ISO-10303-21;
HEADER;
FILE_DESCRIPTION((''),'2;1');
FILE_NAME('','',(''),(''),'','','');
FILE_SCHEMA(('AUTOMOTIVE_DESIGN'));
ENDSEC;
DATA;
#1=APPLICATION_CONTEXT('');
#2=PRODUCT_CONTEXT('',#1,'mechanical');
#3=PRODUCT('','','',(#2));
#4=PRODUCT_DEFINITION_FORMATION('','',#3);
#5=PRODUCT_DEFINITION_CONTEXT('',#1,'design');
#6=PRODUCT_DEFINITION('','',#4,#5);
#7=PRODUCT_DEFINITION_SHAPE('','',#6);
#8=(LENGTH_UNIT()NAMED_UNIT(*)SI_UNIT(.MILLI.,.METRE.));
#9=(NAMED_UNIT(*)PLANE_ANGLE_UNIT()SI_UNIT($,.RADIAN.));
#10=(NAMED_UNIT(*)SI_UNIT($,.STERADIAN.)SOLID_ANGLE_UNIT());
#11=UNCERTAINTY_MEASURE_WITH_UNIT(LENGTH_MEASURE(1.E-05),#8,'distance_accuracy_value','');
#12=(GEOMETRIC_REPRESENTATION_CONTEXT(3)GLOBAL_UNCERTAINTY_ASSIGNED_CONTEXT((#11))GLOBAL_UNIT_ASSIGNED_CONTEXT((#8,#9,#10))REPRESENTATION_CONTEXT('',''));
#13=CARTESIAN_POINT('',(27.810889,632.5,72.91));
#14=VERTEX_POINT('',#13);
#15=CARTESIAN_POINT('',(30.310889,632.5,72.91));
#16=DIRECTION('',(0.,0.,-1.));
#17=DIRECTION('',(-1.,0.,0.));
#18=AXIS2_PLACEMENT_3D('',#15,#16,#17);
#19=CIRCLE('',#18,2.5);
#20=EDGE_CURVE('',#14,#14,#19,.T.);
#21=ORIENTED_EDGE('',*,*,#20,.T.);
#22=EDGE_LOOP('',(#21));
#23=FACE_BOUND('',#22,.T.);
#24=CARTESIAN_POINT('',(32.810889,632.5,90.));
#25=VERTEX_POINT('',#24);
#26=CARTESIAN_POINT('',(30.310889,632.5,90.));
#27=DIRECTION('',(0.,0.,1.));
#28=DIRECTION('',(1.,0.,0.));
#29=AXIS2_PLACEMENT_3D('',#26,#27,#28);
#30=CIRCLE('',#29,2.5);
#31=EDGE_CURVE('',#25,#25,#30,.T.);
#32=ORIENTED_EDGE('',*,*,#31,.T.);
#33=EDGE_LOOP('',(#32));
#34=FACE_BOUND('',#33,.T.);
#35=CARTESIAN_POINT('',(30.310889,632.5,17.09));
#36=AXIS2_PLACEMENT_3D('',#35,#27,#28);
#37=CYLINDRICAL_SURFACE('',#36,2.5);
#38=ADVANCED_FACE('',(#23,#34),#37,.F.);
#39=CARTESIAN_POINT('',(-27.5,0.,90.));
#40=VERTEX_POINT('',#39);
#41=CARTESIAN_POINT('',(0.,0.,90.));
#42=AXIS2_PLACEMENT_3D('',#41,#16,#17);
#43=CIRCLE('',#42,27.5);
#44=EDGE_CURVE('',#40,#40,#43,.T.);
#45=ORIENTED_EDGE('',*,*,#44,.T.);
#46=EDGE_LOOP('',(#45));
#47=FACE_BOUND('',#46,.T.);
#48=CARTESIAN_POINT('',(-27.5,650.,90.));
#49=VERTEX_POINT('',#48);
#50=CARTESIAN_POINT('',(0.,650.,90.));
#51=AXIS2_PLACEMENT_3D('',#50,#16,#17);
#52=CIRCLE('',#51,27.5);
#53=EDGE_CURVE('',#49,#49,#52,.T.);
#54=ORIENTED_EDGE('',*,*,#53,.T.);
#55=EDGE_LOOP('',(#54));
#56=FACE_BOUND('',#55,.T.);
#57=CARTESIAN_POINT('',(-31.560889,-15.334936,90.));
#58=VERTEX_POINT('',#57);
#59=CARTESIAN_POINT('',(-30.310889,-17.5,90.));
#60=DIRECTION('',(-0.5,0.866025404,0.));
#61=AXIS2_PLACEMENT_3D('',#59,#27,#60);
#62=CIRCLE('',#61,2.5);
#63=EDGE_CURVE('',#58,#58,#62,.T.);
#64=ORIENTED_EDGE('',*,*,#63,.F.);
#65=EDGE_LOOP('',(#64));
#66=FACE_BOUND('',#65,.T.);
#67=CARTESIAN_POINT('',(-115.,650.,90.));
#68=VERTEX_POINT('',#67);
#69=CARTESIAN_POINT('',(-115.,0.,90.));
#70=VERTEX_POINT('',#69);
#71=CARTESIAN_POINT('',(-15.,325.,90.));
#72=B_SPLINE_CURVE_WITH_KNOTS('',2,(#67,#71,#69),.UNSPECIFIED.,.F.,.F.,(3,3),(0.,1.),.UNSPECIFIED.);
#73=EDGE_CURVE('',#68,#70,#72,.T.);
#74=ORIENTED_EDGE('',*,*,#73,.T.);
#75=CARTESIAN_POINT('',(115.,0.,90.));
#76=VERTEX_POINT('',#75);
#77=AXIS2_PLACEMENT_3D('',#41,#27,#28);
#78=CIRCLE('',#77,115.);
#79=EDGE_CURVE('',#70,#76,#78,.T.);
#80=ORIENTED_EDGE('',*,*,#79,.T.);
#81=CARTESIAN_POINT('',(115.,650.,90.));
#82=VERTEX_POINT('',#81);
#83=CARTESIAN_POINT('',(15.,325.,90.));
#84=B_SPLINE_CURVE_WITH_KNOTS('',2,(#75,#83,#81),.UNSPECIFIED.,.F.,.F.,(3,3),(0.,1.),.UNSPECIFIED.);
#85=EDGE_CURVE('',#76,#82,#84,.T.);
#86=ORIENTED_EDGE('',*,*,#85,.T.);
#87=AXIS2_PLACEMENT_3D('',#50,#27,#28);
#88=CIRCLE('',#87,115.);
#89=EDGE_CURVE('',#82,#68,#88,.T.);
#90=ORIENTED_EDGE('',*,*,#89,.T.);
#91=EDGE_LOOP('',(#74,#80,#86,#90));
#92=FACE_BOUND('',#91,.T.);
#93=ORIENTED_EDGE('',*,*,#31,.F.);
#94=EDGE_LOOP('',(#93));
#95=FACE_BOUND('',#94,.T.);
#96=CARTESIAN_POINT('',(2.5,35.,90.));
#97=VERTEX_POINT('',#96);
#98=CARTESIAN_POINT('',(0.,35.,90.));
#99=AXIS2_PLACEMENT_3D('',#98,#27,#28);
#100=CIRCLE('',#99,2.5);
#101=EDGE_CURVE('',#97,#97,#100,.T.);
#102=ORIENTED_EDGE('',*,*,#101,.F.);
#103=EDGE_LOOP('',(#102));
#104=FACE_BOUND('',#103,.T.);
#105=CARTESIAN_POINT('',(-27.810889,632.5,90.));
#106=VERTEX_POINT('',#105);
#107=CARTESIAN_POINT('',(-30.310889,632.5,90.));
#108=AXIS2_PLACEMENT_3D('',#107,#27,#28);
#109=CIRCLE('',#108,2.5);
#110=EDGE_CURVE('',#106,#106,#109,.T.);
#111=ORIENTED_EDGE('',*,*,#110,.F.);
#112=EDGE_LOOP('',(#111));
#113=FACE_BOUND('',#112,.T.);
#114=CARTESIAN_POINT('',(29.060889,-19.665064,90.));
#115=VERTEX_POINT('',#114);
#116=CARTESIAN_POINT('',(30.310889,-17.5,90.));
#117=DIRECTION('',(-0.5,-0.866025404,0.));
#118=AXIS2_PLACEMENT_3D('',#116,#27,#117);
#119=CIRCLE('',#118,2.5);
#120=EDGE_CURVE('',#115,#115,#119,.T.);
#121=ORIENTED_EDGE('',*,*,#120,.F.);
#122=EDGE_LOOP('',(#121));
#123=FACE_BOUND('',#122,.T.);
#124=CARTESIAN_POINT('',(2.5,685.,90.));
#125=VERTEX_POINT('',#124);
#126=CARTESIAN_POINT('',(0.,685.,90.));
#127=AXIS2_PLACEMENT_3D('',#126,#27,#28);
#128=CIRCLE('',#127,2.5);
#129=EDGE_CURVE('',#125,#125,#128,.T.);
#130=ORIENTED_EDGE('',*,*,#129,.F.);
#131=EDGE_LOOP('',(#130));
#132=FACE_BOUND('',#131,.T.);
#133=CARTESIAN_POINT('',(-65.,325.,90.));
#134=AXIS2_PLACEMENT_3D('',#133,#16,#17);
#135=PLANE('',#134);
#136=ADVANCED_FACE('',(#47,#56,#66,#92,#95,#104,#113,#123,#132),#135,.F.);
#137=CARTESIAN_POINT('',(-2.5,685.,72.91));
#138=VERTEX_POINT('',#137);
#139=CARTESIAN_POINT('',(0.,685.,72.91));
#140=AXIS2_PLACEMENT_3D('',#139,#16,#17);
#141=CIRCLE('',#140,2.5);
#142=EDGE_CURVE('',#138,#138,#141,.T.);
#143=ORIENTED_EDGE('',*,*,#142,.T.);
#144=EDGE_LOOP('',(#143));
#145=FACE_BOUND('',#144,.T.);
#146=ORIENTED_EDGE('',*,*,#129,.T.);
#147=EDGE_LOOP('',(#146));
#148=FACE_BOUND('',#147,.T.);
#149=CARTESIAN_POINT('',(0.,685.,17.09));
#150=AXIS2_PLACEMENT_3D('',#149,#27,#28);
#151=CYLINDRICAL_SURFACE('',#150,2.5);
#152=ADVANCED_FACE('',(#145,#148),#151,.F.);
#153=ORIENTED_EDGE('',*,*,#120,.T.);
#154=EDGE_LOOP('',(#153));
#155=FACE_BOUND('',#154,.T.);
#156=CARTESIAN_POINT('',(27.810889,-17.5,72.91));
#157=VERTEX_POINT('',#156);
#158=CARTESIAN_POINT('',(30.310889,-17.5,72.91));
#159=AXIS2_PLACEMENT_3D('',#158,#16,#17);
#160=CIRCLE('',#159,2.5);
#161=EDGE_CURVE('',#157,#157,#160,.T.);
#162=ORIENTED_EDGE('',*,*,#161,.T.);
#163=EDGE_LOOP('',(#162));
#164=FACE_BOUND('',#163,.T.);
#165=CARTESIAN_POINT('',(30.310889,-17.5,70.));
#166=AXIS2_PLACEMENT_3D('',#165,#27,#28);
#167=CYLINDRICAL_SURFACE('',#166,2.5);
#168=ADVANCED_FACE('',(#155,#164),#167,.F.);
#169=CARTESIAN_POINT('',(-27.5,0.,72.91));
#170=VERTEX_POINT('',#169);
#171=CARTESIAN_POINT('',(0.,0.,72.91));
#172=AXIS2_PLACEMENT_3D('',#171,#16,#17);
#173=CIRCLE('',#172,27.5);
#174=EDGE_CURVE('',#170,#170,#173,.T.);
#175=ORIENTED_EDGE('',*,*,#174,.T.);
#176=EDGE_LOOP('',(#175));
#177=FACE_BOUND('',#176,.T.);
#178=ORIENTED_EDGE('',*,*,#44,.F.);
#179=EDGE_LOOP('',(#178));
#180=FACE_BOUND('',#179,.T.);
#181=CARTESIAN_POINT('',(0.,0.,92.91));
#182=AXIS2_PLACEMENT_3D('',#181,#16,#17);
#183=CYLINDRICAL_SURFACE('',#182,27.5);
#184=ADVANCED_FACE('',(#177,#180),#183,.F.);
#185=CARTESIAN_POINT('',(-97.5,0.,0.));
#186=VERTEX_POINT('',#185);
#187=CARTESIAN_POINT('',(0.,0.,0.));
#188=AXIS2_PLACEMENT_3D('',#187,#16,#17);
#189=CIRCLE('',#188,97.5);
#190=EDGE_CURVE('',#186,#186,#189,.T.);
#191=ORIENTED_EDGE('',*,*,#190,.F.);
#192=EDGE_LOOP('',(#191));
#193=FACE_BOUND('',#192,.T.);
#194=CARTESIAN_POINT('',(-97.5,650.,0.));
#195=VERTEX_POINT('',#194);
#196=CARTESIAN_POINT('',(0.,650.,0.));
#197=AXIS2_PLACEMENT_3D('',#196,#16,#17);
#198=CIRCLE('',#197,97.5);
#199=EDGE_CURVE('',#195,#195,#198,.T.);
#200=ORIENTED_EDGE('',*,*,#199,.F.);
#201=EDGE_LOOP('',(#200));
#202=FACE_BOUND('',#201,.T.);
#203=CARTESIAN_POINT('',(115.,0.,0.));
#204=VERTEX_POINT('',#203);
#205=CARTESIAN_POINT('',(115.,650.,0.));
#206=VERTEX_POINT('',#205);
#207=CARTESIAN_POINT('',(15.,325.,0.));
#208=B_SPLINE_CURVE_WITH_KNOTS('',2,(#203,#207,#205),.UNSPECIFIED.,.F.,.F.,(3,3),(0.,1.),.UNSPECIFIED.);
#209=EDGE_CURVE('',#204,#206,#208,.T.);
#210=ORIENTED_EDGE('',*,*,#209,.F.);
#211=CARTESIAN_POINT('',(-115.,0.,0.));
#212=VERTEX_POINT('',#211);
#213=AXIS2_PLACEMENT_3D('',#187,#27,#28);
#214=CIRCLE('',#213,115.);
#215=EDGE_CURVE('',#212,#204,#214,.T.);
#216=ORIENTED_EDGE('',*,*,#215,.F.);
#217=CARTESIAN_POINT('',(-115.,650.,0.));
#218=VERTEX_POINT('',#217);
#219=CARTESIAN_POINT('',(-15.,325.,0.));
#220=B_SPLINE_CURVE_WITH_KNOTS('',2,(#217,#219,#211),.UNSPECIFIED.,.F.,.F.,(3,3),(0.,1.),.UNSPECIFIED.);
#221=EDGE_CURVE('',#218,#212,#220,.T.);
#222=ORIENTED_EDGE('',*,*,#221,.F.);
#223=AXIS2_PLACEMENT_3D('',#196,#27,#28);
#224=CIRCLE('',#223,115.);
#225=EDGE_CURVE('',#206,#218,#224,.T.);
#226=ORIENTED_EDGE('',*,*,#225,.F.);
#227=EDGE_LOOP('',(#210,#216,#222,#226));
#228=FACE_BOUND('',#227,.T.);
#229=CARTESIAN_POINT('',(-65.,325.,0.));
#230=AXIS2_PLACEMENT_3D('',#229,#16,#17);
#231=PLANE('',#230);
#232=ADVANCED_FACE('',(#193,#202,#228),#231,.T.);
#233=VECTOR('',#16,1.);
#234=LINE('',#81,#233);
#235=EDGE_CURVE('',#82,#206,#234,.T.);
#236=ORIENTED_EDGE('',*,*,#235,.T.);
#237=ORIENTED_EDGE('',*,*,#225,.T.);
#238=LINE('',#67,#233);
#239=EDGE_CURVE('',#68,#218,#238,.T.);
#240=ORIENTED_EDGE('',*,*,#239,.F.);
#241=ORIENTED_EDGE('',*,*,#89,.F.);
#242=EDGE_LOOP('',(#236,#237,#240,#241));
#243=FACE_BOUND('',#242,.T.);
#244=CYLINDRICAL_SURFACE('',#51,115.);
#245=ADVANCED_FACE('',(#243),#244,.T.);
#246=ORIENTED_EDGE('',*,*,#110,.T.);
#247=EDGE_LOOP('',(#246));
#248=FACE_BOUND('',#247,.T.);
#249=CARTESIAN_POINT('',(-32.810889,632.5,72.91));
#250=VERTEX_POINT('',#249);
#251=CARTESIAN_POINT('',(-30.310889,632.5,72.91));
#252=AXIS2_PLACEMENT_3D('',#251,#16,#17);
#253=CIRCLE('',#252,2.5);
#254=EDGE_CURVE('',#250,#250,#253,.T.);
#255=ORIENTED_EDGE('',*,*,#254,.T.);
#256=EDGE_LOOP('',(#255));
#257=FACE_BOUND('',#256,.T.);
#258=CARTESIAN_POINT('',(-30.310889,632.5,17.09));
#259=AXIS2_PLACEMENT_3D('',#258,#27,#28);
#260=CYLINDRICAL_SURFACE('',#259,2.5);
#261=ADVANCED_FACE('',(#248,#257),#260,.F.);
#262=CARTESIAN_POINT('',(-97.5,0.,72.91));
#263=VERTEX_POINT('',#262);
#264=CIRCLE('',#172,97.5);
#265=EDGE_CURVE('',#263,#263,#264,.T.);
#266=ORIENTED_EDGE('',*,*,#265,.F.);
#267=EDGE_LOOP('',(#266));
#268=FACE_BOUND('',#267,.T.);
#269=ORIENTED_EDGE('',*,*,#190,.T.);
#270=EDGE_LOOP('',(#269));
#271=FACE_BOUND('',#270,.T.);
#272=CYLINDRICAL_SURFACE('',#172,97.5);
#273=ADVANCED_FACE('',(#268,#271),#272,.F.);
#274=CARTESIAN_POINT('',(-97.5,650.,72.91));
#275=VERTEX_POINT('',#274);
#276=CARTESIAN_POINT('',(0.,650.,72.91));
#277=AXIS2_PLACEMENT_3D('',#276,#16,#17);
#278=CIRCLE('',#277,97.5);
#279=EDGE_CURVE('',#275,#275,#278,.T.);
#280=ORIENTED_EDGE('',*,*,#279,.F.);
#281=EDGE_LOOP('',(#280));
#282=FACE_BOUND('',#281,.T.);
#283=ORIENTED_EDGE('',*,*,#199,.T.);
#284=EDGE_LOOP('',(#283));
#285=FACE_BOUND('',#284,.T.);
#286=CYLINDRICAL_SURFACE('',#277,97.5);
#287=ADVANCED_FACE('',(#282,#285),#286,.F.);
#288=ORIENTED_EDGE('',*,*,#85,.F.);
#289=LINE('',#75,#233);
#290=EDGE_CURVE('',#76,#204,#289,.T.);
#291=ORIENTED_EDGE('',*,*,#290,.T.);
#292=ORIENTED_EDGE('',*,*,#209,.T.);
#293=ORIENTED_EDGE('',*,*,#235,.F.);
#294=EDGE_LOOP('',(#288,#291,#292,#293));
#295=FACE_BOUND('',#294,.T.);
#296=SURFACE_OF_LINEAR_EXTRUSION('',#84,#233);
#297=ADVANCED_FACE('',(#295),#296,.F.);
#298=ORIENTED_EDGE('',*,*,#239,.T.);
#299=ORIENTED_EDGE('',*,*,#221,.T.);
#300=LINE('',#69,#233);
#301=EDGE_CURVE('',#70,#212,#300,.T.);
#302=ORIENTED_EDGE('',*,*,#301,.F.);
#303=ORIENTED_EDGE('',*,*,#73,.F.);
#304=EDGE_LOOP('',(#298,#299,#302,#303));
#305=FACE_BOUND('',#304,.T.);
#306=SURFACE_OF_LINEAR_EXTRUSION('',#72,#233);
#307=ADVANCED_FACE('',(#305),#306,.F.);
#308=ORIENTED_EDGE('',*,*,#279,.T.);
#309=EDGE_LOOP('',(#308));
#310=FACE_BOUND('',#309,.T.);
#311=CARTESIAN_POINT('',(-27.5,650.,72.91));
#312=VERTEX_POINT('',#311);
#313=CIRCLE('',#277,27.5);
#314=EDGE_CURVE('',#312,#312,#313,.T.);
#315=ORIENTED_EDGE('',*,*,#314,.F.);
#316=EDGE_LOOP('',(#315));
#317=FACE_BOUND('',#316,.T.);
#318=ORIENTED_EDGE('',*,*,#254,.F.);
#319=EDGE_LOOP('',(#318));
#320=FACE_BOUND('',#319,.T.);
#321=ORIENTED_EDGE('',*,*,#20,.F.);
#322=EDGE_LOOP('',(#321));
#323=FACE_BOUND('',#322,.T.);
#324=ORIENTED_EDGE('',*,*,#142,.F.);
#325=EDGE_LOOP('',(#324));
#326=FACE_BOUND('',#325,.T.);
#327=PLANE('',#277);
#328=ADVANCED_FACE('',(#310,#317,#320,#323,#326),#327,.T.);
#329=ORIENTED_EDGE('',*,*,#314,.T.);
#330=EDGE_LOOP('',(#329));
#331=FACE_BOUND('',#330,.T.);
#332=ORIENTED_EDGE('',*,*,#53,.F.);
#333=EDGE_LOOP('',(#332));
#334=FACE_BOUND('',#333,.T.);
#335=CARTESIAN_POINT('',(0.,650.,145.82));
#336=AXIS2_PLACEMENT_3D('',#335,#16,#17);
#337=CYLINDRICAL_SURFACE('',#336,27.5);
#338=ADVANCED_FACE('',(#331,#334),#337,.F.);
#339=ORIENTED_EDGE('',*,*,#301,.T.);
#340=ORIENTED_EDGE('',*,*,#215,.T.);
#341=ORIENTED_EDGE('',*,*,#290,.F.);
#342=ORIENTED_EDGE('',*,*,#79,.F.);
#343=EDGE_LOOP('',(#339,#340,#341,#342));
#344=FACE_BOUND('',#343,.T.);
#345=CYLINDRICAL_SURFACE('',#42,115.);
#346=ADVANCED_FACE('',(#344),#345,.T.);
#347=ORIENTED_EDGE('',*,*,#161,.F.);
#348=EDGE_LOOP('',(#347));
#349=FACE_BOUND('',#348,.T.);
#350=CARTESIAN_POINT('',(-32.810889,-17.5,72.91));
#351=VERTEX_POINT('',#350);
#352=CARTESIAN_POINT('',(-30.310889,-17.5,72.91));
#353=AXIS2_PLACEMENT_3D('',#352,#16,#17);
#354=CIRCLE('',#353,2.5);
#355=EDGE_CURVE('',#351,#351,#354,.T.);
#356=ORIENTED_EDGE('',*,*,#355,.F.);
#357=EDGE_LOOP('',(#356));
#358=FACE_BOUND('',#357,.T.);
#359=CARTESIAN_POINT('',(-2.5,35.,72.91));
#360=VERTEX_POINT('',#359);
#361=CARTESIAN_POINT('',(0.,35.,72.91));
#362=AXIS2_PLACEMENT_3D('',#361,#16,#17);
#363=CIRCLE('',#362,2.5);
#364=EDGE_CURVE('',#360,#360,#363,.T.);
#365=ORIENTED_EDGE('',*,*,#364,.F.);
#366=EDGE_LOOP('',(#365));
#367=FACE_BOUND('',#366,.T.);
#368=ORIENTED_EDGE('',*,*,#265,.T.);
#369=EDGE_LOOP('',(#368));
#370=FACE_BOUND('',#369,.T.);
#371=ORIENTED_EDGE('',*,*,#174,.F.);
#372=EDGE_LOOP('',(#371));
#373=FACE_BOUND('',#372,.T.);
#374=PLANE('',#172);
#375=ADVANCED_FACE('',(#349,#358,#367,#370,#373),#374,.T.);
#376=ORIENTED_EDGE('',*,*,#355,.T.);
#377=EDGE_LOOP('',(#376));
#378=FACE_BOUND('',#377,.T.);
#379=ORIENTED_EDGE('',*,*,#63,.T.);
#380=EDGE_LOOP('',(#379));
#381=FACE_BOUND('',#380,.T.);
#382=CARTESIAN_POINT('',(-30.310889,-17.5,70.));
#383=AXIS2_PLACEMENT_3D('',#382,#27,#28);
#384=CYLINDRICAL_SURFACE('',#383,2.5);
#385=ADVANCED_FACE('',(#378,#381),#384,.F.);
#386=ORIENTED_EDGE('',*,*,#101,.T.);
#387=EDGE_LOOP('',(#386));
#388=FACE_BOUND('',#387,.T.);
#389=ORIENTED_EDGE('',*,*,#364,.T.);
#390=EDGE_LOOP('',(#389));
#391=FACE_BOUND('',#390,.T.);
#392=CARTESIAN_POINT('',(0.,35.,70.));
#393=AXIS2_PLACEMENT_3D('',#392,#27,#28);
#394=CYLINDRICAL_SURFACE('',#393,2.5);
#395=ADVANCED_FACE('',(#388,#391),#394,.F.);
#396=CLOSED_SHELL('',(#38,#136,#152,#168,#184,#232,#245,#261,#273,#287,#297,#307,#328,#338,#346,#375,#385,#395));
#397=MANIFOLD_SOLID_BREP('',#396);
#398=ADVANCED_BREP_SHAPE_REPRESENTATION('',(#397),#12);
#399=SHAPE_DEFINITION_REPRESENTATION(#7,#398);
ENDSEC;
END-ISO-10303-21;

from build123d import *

# Parameters (mm, degrees)
BOSS_EXTRUDE1_DEPTH = 90
SKETCH2_R           = 97.5
CUT_EXTRUDE1_DEPTH  = 72.91
SKETCH4_R           = 2.5
CUT_EXTRUDE3_DEPTH  = 20
SKETCH3_R           = 27.5
CUT_EXTRUDE4_DEPTH  = 20
CIRPATTERN2_COUNT   = 3
SKETCH6_R           = 97.5
CUT_EXTRUDE5_DEPTH  = 72.91
SKETCH7_R           = 27.5
CUT_EXTRUDE6_DEPTH  = 72.91
SKETCH8_R           = 2.5
SKETCH8_R_2         = 27.5
CUT_EXTRUDE7_DEPTH  = 72.91


with BuildPart() as part:
    # Sketch1 → Boss-Extrude1 (new body)
    with BuildSketch(Plane(origin=(0, 0, 0), x_dir=(0, 1, 0), z_dir=(0, 0, 1))):
        with BuildLine():
            ThreePointArc((0, 115), (-115, 0), (0, -115))
            add(Edge.make_bspline(
                [(0, -115), (325, -15), (650, -115)],
                knots=[0, 0, 0, 1, 1, 1], degree=2))
            ThreePointArc((650, -115), (765, 0), (650, 115))
            add(Edge.make_bspline(
                [(0, 115), (325, 15), (650, 115)],
                knots=[0, 0, 0, 1, 1, 1], degree=2))
        make_face()
    extrude(amount=BOSS_EXTRUDE1_DEPTH)

    # Sketch2 → Cut-Extrude1 (cut)
    with BuildSketch(Plane(origin=(0, 0, 0), x_dir=(1, 0, 0), z_dir=(0, 0, -1))):
        with Locations(Location((0, 0, 0), (0, 0, 180))):
            Circle(SKETCH2_R)
    extrude(amount=-CUT_EXTRUDE1_DEPTH, mode=Mode.SUBTRACT)

    # Sketch4 → Cut-Extrude3 (cut)
    with BuildSketch(Plane.XY.offset(90)):
        with Locations((0, 35)):
            Circle(SKETCH4_R)
    cut_extrude3 = extrude(amount=-CUT_EXTRUDE3_DEPTH, mode=Mode.SUBTRACT)

    # Sketch3 → Cut-Extrude4 (cut)
    with BuildSketch(Plane(origin=(0, 0, 72.91), x_dir=(1, 0, 0), z_dir=(0, 0, -1))):
        with Locations(Location((0, 0, 0), (0, 0, 180))):
            Circle(SKETCH3_R)
    extrude(amount=-CUT_EXTRUDE4_DEPTH, mode=Mode.SUBTRACT)

    # CirPattern2: Cut-Extrude3 ×3 about axis
    cirpattern2_axis = Axis((0, 0, 0), (0, 0, 1))
    for i in range(1, CIRPATTERN2_COUNT):
        add(cut_extrude3.rotate(cirpattern2_axis, i * 360 / CIRPATTERN2_COUNT), mode=Mode.SUBTRACT)

    # Sketch6 → Cut-Extrude5 (cut)
    with BuildSketch(Plane(origin=(0, 0, 0), x_dir=(1, 0, 0), z_dir=(0, 0, -1))):
        with Locations(Location((0, -650, 0), (0, 0, 180))):
            Circle(SKETCH6_R)
    extrude(amount=-CUT_EXTRUDE5_DEPTH, mode=Mode.SUBTRACT)

    # Sketch7 → Cut-Extrude6 (cut)
    with BuildSketch(Plane(origin=(0, 0, 72.91), x_dir=(1, 0, 0), z_dir=(0, 0, -1))):
        with Locations(Location((0, -650, 0), (0, 0, 180))):
            Circle(SKETCH7_R)
    extrude(amount=-CUT_EXTRUDE6_DEPTH, mode=Mode.SUBTRACT)

    # Sketch8 → Cut-Extrude7 (cut)
    with BuildSketch(Plane.XY.offset(90)):
        with Locations((-30.310889132, 632.5)):
            Circle(SKETCH8_R)
        with Locations((0, 685)):
            Circle(SKETCH8_R)
        with Locations((30.310889132, 632.5)):
            Circle(SKETCH8_R)
        with Locations(Location((30.310889132, -17.5, 0), (0, 0, 240))):
            Circle(SKETCH8_R)
        with Locations((0, 35)):
            Circle(SKETCH8_R)
        with Locations(Location((-30.310889132, -17.5, 0), (0, 0, 120))):
            Circle(SKETCH8_R)
        with Locations(Location((0, 650, 0), (0, 0, 180))):
            Circle(SKETCH8_R_2)
    extrude(amount=-CUT_EXTRUDE7_DEPTH, mode=Mode.SUBTRACT)


solid = part.part
